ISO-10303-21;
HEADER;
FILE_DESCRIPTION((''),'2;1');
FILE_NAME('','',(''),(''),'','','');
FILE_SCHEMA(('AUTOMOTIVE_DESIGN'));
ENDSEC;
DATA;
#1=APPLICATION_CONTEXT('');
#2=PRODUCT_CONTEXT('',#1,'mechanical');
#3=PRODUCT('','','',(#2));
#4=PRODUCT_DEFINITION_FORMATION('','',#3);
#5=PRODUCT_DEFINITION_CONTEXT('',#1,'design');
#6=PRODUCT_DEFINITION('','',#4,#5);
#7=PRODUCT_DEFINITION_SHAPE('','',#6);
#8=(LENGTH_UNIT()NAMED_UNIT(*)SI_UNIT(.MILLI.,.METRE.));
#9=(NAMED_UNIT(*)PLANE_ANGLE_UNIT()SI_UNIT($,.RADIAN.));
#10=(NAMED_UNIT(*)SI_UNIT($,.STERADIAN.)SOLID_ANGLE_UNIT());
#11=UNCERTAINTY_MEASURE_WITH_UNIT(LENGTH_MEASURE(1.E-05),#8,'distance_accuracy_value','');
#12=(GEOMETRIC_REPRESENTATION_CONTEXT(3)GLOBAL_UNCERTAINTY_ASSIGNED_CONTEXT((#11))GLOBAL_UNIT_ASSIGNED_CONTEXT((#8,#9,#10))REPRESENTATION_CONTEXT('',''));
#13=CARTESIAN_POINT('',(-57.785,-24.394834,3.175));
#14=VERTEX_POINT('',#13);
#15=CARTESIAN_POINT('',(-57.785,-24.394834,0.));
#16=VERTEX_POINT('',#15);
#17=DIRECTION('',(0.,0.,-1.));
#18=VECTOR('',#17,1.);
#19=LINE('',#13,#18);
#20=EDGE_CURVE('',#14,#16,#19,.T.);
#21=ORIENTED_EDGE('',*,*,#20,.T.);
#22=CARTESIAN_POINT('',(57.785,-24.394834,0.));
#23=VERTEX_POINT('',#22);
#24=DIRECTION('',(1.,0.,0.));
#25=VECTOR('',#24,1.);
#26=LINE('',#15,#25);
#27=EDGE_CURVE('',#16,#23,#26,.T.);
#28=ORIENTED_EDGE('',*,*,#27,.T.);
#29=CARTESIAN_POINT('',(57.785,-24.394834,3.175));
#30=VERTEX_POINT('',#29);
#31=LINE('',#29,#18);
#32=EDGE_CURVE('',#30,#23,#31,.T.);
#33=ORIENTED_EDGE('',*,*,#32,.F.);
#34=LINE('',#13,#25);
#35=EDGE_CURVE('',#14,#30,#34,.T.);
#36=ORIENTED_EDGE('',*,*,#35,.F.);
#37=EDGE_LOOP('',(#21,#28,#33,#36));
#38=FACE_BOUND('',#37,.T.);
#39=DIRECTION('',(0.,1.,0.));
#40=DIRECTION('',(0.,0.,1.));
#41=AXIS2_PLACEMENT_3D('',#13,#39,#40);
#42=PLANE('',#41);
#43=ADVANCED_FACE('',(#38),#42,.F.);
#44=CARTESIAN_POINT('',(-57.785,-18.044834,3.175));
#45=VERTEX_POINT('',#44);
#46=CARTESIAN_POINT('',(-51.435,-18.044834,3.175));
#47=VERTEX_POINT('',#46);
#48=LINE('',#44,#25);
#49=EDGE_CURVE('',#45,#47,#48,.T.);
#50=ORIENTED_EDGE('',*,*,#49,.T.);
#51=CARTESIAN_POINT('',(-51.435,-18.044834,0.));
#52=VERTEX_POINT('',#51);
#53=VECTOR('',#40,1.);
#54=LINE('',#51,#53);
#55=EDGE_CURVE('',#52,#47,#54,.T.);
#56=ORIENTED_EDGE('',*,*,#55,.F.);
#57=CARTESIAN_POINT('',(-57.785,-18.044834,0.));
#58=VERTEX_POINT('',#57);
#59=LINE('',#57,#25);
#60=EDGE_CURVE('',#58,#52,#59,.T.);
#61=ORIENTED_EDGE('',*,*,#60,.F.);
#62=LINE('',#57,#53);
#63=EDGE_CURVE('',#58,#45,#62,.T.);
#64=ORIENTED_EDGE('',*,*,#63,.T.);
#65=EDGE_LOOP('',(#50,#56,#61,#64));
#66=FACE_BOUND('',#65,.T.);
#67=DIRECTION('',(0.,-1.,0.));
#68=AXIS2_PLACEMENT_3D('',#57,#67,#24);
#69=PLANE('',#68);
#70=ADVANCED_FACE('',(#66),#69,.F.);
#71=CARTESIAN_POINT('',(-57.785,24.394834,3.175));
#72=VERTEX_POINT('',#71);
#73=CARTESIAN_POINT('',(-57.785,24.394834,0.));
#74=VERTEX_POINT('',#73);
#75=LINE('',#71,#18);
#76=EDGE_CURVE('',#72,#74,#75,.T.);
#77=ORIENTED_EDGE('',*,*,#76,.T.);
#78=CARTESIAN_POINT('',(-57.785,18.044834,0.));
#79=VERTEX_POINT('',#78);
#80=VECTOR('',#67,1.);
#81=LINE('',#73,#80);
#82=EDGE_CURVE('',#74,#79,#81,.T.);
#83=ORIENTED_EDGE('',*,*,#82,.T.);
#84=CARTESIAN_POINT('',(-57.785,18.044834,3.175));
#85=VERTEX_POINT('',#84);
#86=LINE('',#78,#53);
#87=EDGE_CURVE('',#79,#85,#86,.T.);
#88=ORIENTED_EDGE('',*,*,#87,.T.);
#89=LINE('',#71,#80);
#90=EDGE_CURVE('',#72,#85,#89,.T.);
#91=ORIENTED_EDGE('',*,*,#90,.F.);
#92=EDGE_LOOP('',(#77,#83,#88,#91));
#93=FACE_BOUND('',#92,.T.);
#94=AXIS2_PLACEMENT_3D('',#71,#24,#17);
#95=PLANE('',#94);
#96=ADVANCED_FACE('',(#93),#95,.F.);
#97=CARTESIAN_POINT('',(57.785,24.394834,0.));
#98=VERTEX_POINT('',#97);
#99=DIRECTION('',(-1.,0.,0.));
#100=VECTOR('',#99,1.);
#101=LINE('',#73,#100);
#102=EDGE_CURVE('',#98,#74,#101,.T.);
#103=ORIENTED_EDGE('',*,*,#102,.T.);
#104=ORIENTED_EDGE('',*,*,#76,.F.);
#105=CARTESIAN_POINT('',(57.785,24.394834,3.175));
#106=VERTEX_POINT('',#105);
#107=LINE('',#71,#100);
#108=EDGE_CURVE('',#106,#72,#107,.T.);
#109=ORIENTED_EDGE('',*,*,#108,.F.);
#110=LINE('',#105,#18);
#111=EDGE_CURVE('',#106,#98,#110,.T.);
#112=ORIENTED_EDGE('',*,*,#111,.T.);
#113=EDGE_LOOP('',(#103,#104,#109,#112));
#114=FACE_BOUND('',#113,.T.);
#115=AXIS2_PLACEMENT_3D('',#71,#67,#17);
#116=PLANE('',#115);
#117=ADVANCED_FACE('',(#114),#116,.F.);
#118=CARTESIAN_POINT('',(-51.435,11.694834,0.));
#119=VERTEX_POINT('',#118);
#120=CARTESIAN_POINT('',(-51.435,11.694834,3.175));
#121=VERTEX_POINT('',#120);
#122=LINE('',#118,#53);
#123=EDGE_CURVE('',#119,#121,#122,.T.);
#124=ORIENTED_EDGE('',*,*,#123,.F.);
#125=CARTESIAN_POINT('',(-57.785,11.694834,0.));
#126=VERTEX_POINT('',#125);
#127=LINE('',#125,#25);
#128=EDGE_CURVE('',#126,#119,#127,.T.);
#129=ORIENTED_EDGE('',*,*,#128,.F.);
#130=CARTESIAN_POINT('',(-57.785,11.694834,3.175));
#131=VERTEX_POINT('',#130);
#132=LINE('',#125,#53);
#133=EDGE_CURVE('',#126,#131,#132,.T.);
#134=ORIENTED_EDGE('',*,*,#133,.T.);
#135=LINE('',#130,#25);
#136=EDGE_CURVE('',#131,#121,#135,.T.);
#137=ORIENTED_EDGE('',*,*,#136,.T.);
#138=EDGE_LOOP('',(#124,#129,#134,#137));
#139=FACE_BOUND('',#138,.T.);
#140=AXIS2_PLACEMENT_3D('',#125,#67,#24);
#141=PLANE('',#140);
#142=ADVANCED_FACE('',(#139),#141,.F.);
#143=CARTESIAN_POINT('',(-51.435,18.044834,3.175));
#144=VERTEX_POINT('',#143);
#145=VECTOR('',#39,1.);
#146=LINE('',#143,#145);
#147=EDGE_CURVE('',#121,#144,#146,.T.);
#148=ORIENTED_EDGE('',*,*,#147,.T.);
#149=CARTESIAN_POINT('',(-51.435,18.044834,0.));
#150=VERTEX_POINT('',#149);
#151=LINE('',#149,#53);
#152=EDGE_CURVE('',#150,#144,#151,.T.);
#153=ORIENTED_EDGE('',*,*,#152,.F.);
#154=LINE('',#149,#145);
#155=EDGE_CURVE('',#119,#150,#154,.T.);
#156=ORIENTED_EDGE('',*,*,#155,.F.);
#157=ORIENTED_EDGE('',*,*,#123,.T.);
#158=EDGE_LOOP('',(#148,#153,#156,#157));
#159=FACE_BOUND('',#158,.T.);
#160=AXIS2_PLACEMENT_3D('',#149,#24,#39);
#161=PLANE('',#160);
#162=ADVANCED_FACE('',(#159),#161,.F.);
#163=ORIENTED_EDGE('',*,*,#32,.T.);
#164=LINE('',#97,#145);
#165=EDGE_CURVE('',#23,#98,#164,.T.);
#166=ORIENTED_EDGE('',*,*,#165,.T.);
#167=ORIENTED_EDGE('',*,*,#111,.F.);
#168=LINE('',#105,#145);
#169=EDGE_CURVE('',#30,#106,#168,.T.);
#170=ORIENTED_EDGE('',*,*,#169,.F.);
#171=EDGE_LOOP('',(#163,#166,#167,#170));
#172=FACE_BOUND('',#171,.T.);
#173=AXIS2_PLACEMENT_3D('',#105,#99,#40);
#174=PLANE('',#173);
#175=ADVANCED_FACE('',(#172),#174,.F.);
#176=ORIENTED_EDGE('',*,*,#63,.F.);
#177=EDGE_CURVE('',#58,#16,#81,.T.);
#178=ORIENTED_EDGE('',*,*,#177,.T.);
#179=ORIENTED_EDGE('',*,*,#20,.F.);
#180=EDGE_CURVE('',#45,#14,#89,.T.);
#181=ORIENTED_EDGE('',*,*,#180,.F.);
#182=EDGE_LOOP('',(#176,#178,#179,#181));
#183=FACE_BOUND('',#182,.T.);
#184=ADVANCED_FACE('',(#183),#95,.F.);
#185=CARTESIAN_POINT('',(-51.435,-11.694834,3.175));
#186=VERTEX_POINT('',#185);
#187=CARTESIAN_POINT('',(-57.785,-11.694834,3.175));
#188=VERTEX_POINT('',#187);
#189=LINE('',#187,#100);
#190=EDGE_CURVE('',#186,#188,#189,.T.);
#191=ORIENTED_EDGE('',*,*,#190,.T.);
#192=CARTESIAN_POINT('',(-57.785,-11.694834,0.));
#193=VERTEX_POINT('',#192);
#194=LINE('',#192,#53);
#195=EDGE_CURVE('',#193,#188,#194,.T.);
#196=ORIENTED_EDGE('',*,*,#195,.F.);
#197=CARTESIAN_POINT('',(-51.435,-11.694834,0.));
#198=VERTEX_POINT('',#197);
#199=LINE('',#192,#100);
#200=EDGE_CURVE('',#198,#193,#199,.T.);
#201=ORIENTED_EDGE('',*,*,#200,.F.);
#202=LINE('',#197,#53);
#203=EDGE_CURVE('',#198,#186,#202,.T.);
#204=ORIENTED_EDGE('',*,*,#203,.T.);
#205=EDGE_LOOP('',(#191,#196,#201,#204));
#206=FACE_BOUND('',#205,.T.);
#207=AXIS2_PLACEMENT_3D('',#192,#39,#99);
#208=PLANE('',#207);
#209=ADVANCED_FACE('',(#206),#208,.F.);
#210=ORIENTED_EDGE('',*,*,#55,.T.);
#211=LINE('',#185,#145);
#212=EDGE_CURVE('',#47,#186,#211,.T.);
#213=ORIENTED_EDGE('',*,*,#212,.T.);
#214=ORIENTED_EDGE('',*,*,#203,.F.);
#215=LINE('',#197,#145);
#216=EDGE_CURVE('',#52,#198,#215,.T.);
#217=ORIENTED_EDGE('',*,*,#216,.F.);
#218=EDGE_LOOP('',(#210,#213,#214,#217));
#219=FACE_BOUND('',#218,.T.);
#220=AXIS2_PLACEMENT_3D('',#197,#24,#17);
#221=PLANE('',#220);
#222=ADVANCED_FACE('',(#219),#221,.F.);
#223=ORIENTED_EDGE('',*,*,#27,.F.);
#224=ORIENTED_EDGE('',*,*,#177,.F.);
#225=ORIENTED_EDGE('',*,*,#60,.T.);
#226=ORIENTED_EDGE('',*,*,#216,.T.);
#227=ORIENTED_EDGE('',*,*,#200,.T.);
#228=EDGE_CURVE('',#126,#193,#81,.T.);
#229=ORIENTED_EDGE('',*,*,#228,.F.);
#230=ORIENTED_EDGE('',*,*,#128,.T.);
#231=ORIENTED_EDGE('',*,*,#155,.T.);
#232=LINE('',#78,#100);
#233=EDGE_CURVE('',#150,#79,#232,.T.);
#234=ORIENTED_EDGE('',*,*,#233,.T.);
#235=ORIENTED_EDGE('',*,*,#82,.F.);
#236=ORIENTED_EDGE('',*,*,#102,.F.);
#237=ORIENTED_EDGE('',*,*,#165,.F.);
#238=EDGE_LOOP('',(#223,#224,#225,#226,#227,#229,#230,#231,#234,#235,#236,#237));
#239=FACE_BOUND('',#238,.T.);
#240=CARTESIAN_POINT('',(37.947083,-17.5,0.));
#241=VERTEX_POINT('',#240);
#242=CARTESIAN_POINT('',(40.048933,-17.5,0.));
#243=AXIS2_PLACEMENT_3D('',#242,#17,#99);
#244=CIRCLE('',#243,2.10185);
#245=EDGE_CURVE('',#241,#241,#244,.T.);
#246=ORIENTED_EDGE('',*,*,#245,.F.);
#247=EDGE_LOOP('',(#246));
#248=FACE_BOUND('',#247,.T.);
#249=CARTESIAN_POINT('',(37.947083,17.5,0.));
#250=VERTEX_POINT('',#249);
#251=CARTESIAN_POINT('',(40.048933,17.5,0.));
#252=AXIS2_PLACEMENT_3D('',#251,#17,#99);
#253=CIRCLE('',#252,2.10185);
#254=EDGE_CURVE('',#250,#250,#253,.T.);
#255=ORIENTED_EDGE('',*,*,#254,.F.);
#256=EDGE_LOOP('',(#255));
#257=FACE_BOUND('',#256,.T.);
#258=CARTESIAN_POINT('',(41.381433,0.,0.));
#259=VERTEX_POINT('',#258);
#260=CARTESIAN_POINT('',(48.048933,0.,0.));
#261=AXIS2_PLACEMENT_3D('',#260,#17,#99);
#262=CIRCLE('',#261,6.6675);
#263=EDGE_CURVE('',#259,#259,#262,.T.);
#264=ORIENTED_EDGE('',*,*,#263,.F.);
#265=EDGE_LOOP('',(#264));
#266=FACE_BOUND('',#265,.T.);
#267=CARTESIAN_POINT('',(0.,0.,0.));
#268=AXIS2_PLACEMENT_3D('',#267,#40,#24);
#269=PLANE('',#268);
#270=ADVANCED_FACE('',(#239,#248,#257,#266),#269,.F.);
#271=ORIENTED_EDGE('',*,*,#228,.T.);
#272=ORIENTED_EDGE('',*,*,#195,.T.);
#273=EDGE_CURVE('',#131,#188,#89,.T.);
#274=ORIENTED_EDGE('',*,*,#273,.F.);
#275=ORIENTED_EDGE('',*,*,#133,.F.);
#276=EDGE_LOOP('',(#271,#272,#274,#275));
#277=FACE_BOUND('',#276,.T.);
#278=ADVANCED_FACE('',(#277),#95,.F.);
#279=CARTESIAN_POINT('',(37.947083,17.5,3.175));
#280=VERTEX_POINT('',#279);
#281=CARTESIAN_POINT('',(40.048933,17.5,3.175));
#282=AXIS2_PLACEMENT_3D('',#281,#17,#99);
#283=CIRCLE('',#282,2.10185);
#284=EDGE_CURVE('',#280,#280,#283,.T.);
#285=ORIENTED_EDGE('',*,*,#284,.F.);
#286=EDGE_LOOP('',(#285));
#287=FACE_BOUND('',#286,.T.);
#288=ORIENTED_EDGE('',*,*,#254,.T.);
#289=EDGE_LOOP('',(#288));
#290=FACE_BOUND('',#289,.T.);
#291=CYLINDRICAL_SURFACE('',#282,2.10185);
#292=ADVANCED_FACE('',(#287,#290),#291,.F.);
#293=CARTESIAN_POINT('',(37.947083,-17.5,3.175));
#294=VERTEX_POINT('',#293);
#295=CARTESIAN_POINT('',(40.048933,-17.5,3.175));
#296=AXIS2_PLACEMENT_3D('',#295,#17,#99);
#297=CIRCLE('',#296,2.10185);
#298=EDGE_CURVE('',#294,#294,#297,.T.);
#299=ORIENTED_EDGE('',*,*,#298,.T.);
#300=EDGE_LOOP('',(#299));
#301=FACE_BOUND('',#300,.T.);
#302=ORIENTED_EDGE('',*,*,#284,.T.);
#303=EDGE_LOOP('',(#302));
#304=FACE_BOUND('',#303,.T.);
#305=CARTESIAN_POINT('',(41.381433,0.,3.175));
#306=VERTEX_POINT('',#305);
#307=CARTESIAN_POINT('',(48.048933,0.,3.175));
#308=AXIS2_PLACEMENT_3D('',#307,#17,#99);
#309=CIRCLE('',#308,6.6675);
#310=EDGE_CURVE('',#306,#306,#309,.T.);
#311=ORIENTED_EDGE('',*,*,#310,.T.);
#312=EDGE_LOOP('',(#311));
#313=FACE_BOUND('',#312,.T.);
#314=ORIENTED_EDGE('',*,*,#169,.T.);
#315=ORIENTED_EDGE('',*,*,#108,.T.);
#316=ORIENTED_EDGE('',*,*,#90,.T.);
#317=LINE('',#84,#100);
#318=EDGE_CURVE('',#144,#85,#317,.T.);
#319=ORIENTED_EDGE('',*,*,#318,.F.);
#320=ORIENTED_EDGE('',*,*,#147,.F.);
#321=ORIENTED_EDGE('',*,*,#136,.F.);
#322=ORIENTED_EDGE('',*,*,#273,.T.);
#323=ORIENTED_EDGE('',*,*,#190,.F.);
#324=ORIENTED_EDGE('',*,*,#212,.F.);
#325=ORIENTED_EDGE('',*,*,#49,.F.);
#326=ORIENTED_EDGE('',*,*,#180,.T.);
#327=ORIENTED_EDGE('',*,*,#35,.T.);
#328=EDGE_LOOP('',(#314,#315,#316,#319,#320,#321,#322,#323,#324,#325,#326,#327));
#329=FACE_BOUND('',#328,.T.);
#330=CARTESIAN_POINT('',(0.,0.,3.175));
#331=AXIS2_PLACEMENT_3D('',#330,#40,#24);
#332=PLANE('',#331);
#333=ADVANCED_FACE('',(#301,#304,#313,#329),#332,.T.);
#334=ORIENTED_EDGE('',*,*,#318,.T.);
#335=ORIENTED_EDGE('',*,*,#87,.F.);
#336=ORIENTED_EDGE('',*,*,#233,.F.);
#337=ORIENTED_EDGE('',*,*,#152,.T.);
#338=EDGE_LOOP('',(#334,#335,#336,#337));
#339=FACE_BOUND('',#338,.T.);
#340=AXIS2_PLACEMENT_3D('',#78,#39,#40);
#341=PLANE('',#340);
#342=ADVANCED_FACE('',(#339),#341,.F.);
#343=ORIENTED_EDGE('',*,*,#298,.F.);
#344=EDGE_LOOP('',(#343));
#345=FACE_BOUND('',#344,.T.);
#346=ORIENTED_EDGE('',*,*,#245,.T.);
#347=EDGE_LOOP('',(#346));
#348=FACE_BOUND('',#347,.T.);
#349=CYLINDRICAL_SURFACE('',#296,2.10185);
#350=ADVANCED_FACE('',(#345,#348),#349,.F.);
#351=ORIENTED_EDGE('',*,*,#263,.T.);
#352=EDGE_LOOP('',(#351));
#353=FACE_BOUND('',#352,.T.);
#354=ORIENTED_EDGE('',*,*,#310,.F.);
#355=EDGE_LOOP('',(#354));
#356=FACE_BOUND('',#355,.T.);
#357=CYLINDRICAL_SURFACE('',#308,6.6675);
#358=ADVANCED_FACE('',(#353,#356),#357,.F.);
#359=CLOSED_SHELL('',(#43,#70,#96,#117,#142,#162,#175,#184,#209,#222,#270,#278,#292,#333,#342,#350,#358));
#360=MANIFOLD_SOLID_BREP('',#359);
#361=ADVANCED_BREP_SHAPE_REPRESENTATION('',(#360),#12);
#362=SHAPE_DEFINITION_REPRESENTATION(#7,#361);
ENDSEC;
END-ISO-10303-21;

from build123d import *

# Parameters (mm, degrees)
SKETCH1_W           = 115.57
SKETCH1_H           = 48.789667988
BOSS_EXTRUDE1_DEPTH = 3.175
SKETCH2_R           = 2.10185
SKETCH2_R_2         = 6.6675
CUT_EXTRUDE1_DEPTH  = 63.80362072
SKETCH3_W           = 6.35
SKETCH3_H           = 6.35
CUT_EXTRUDE2_DEPTH  = 63.80362072


with BuildPart() as part:
    # Sketch1 → Boss-Extrude1 (new body)
    with BuildSketch(Plane.XY):
        Rectangle(SKETCH1_W, SKETCH1_H)
    extrude(amount=BOSS_EXTRUDE1_DEPTH)

    # Sketch2 → Cut-Extrude1 (cut, through all)
    with BuildSketch(Plane(origin=(0, 0, 0), x_dir=(-1, 0, 0), z_dir=(0, 0, -1))):
        with Locations((-40.04893274, 17.5)):
            Circle(SKETCH2_R)
        with Locations((-40.04893274, -17.5)):
            Circle(SKETCH2_R)
        with Locations((-48.04893274, 0)):
            Circle(SKETCH2_R_2)
    extrude(amount=-CUT_EXTRUDE1_DEPTH, mode=Mode.SUBTRACT)

    # Sketch3 → Cut-Extrude2 (cut, through all)
    with BuildSketch(Plane.XY.offset(3.175)):
        with Locations((-54.61, 14.869833994)):
            Rectangle(SKETCH3_W, SKETCH3_H)
        with Locations((-54.61, -14.869833994)):
            Rectangle(SKETCH3_W, SKETCH3_H)
    extrude(amount=-CUT_EXTRUDE2_DEPTH, mode=Mode.SUBTRACT)


solid = part.part
